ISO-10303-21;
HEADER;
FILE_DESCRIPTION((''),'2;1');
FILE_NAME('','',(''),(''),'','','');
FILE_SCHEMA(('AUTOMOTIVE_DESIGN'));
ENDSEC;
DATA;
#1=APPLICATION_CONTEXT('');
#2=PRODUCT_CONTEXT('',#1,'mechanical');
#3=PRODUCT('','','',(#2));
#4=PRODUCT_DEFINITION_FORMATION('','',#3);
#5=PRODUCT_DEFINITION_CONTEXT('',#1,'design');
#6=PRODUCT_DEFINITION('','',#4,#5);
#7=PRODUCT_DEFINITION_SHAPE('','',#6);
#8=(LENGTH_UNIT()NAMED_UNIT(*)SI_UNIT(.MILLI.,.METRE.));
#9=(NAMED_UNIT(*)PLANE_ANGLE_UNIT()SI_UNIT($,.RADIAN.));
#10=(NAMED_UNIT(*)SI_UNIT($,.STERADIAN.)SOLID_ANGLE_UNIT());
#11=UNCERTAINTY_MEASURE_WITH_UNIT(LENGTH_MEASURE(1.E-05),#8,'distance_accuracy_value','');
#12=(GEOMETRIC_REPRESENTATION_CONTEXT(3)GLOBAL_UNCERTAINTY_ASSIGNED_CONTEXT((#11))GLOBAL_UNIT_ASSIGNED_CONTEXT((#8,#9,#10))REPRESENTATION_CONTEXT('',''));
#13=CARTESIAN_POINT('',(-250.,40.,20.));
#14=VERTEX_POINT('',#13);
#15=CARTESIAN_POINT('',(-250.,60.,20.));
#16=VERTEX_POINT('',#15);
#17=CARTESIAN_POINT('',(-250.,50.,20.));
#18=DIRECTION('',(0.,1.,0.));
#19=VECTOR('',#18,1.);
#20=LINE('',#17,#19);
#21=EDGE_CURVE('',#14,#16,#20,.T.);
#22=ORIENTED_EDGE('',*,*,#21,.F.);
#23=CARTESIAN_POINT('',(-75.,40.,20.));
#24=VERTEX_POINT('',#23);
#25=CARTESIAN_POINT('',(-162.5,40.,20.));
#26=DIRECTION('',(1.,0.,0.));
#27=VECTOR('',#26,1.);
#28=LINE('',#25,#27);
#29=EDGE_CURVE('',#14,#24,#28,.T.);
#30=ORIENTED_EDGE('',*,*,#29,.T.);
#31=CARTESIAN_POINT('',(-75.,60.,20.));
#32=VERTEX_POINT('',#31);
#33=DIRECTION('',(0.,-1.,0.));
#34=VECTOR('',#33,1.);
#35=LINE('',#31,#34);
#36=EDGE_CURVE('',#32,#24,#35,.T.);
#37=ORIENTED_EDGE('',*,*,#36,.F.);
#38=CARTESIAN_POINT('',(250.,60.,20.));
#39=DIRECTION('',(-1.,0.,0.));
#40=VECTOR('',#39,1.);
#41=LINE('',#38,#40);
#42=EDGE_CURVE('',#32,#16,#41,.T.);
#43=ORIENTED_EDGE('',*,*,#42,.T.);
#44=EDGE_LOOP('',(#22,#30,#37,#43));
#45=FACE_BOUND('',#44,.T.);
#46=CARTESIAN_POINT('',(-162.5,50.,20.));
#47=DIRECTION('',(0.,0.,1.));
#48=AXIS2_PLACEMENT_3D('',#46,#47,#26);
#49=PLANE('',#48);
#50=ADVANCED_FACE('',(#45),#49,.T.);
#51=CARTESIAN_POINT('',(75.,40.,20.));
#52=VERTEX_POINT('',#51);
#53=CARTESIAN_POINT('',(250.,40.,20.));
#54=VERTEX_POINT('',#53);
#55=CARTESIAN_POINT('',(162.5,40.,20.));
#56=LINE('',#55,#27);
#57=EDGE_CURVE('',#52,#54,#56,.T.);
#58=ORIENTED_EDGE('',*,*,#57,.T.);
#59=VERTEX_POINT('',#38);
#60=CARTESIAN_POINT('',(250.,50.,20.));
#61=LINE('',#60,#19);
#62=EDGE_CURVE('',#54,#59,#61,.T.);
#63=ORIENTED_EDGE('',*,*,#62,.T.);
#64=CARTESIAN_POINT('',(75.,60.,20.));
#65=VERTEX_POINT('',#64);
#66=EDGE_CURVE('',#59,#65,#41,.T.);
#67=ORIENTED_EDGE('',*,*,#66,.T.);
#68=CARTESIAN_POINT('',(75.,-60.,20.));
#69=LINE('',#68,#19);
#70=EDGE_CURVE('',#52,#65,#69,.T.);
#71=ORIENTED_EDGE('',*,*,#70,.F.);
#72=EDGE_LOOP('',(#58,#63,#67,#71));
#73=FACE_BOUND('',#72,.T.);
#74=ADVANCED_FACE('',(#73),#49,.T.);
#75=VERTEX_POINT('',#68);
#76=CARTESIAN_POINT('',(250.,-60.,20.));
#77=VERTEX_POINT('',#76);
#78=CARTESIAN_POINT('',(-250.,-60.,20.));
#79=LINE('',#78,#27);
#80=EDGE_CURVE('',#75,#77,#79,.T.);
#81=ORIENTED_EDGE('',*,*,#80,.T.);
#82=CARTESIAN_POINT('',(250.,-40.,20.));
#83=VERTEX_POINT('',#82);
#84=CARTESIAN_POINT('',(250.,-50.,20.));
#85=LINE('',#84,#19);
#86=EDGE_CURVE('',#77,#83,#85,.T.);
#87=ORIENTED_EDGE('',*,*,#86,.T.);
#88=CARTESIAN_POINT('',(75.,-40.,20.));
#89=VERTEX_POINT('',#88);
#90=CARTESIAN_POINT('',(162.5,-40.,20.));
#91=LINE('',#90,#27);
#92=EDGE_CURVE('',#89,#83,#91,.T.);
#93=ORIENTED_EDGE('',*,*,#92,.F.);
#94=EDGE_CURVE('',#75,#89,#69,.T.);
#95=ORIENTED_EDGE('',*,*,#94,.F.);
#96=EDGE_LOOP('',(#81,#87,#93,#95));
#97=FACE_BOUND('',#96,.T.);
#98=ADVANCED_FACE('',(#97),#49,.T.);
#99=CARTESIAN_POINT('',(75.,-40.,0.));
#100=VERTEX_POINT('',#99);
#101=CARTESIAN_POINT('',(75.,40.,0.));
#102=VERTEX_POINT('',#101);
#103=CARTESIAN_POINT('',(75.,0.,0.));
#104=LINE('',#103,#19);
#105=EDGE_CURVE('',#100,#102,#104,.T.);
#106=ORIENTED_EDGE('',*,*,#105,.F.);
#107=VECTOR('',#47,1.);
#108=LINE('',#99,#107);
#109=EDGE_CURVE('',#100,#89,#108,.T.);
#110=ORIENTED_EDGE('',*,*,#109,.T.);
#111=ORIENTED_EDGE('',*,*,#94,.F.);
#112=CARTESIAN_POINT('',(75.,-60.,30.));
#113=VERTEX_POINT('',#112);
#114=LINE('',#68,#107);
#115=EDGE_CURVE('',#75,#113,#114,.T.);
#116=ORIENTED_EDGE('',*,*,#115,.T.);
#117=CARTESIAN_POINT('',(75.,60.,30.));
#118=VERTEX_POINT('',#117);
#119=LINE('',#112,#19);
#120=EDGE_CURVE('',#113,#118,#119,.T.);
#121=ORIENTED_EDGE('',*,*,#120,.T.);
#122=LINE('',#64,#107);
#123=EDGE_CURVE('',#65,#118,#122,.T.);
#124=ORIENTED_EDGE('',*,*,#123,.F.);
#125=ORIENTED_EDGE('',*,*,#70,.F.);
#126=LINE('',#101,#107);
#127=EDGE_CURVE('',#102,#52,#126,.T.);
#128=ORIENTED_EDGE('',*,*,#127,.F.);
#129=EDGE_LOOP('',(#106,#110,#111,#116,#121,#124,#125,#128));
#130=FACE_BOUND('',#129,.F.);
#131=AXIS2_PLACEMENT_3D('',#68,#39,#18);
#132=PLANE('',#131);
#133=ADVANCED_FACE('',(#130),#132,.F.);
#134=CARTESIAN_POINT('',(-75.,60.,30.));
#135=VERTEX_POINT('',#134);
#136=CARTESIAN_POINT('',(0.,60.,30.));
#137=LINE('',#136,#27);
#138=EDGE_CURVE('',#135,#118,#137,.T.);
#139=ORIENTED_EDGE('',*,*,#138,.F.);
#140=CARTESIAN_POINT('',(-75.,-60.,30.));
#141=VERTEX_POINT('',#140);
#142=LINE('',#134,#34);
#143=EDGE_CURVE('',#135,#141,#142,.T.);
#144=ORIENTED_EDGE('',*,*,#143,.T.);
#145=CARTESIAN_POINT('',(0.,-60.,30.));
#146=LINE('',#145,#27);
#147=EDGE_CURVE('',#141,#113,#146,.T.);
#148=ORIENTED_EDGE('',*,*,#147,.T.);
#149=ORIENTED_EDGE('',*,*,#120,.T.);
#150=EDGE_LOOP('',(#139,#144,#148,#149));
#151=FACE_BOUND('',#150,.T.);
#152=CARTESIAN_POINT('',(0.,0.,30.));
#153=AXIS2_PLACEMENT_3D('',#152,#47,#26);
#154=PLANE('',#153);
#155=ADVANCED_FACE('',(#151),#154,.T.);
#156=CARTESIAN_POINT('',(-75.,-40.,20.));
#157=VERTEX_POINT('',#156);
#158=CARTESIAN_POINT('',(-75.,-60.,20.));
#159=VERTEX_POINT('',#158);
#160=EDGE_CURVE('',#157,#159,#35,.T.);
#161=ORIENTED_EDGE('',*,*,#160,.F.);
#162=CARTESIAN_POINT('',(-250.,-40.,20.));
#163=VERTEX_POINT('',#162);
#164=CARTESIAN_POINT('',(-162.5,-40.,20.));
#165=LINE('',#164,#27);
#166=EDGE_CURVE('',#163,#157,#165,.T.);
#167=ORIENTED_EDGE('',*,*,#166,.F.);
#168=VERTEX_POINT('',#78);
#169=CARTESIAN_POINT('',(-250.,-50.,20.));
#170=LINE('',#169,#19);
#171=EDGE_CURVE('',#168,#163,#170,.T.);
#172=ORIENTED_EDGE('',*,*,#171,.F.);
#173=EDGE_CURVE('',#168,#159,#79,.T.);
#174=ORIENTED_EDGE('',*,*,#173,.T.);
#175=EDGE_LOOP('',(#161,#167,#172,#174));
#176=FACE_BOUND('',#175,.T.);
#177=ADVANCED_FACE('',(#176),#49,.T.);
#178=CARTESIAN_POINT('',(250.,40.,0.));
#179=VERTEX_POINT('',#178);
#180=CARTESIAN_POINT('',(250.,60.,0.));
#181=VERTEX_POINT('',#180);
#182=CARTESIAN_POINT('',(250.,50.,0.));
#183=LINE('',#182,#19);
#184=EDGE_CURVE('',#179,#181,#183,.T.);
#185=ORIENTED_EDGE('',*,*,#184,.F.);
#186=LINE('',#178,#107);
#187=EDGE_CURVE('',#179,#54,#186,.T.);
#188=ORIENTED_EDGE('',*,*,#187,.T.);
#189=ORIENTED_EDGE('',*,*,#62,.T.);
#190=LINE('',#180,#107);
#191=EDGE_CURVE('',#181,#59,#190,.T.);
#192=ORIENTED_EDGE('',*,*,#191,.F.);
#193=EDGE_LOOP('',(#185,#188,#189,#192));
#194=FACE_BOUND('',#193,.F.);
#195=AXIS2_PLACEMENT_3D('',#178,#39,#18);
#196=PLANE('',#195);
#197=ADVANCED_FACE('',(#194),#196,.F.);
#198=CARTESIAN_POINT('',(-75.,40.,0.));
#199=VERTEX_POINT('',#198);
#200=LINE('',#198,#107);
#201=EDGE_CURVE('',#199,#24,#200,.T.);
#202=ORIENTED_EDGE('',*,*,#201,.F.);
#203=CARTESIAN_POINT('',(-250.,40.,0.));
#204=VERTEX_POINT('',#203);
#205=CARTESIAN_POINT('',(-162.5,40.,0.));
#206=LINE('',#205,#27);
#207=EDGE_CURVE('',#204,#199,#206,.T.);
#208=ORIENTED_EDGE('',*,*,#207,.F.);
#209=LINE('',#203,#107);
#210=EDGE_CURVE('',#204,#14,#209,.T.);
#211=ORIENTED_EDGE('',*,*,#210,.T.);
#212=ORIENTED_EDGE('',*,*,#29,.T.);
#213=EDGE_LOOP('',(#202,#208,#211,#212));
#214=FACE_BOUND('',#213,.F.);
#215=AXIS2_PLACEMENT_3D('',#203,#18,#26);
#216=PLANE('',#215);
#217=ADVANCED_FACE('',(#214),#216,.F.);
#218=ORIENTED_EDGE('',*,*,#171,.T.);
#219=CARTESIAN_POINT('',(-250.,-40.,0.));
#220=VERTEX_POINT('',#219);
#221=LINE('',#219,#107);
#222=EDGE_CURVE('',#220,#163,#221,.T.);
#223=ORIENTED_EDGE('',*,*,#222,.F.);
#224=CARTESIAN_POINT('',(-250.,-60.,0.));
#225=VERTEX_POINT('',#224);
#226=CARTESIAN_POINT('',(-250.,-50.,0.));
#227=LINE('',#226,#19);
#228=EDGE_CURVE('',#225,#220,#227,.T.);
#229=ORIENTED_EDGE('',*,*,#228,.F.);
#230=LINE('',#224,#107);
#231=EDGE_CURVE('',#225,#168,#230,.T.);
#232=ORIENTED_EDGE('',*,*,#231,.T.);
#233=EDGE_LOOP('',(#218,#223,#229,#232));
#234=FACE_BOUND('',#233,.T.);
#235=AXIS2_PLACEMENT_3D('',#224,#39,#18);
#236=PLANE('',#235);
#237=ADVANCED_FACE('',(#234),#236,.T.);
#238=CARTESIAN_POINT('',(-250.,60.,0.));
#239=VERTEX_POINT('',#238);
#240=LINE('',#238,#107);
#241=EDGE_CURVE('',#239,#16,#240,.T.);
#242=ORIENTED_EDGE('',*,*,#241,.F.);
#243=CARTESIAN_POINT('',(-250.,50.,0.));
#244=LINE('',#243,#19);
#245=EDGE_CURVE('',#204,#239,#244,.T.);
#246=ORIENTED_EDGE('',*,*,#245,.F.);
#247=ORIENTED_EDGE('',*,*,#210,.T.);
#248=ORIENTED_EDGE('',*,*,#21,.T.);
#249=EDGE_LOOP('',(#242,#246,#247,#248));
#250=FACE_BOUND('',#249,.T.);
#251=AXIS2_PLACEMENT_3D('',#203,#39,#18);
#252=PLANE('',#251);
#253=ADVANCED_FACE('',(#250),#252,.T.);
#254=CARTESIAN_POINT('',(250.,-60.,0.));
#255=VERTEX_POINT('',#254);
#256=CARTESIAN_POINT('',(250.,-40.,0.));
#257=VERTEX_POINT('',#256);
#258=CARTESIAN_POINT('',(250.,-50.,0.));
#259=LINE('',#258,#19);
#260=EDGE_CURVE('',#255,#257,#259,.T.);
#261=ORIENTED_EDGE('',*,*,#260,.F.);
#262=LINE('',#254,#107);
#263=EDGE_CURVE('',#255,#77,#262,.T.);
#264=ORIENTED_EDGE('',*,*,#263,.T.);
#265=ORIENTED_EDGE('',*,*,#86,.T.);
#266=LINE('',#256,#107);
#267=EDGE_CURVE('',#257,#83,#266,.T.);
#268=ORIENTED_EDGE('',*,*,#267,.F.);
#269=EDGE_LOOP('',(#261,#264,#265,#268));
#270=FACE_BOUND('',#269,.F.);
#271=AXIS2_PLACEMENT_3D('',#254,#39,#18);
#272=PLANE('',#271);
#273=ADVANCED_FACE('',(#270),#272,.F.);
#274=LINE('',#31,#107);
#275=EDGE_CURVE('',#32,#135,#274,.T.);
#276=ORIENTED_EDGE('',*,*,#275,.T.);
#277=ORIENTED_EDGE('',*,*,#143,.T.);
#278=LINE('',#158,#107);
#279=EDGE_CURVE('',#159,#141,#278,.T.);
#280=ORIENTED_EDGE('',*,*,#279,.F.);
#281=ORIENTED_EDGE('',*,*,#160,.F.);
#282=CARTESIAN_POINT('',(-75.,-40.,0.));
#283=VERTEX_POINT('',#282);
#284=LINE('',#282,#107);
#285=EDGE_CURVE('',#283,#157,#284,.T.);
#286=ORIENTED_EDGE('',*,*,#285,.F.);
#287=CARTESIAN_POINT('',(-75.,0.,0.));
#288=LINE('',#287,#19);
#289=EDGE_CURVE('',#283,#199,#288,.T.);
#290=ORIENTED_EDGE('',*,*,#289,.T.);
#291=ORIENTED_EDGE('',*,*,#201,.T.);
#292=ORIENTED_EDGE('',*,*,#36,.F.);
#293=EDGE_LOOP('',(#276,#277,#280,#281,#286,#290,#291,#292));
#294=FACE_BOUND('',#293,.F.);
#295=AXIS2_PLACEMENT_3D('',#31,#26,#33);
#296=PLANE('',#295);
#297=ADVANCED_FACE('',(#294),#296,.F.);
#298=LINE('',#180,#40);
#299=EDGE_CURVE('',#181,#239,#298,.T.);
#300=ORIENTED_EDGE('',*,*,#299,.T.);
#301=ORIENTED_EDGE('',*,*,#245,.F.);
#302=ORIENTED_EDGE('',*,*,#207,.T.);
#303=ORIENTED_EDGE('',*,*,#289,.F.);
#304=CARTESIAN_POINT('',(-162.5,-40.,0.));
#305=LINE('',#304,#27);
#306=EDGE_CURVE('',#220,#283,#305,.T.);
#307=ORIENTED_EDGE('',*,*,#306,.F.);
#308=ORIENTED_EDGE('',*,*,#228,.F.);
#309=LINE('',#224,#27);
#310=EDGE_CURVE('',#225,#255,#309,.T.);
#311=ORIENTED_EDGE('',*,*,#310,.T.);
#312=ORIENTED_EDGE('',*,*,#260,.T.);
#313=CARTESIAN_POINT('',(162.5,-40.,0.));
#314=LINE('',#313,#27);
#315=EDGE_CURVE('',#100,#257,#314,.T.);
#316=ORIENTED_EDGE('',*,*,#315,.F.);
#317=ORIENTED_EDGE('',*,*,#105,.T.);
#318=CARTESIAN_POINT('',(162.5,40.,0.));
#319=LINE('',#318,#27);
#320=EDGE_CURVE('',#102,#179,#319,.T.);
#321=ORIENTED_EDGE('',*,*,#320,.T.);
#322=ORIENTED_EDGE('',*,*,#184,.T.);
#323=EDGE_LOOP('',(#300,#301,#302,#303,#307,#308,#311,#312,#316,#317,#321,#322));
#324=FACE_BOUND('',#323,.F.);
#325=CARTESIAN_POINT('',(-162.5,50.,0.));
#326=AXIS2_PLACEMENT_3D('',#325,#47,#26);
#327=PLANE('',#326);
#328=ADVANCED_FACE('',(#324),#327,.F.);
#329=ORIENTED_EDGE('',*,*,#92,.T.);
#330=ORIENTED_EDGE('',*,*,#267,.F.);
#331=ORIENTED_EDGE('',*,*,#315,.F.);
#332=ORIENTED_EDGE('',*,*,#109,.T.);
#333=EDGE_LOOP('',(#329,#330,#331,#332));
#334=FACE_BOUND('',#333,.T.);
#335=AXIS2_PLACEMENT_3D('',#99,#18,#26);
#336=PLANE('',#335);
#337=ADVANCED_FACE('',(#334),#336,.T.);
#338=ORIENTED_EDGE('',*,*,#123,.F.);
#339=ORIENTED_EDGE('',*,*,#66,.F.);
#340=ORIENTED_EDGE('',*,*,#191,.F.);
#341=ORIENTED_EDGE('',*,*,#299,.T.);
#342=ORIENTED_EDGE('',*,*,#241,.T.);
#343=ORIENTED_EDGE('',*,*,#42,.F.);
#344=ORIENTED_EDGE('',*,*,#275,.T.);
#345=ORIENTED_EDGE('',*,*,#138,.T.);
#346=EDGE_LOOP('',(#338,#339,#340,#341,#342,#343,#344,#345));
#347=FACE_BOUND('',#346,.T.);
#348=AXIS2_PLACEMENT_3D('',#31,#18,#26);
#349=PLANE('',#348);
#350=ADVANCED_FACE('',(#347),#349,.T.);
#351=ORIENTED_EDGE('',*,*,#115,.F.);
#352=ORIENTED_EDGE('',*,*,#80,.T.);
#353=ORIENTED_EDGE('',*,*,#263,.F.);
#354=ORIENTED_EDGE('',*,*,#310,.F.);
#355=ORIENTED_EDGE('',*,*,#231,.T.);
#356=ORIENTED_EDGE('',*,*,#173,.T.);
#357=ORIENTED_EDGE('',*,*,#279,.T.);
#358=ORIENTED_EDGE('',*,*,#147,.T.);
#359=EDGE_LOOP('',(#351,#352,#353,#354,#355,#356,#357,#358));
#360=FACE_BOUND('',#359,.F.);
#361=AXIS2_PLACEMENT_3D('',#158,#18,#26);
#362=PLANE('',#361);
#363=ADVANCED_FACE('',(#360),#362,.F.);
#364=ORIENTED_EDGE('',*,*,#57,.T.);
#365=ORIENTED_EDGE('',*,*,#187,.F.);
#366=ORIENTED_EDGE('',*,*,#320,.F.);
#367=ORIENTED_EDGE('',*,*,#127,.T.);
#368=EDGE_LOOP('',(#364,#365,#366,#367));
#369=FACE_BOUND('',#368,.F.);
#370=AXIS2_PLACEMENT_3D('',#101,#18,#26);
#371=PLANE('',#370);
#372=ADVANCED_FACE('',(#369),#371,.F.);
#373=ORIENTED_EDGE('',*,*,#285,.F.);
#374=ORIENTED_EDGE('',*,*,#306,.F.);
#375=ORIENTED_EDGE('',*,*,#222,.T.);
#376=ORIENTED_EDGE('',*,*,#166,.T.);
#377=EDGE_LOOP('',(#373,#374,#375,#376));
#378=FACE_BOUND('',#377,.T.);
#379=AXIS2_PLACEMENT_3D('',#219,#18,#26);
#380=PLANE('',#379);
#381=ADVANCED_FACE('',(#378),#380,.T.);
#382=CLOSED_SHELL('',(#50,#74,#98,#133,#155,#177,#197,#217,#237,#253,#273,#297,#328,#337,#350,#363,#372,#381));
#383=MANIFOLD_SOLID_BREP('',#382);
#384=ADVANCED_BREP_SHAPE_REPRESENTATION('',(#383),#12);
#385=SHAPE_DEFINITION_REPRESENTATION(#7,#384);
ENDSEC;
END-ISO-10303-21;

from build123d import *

# Parameters (mm, degrees)
F0_W     = 175
F0_H     = 20
F0_W_2   = 150
F0_H_2   = 80
F1_DEPTH = 20
F2_W     = 150
F2_H     = 80
F2_H_2   = 20
F3_DEPTH = 10


with BuildPart() as f1:
    # F0 (on Top) → F1 (new body)
    with BuildSketch(Plane.XY):
        with Locations((-162.5, 50)):
            Rectangle(F0_W, F0_H)
        with Locations((162.5, 50)):
            Rectangle(F0_W, F0_H)
        with Locations((-162.5, -50)):
            Rectangle(F0_W, F0_H)
        with Locations((162.5, -50)):
            Rectangle(F0_W, F0_H)
        Rectangle(F0_W_2, F0_H_2)
        with Locations((0, -50)):
            Rectangle(F0_W_2, F0_H)
        with Locations((0, 50)):
            Rectangle(F0_W_2, F0_H)
    extrude(amount=F1_DEPTH)

    # F2 (on face) → F3 (join)
    with BuildSketch(Plane.XY.offset(20)):
        Rectangle(F2_W, F2_H)
        with Locations((0, 50)):
            Rectangle(F2_W, F2_H_2)
        with Locations((0, -50)):
            Rectangle(F2_W, F2_H_2)
    extrude(amount=F3_DEPTH)


solid = f1.part
